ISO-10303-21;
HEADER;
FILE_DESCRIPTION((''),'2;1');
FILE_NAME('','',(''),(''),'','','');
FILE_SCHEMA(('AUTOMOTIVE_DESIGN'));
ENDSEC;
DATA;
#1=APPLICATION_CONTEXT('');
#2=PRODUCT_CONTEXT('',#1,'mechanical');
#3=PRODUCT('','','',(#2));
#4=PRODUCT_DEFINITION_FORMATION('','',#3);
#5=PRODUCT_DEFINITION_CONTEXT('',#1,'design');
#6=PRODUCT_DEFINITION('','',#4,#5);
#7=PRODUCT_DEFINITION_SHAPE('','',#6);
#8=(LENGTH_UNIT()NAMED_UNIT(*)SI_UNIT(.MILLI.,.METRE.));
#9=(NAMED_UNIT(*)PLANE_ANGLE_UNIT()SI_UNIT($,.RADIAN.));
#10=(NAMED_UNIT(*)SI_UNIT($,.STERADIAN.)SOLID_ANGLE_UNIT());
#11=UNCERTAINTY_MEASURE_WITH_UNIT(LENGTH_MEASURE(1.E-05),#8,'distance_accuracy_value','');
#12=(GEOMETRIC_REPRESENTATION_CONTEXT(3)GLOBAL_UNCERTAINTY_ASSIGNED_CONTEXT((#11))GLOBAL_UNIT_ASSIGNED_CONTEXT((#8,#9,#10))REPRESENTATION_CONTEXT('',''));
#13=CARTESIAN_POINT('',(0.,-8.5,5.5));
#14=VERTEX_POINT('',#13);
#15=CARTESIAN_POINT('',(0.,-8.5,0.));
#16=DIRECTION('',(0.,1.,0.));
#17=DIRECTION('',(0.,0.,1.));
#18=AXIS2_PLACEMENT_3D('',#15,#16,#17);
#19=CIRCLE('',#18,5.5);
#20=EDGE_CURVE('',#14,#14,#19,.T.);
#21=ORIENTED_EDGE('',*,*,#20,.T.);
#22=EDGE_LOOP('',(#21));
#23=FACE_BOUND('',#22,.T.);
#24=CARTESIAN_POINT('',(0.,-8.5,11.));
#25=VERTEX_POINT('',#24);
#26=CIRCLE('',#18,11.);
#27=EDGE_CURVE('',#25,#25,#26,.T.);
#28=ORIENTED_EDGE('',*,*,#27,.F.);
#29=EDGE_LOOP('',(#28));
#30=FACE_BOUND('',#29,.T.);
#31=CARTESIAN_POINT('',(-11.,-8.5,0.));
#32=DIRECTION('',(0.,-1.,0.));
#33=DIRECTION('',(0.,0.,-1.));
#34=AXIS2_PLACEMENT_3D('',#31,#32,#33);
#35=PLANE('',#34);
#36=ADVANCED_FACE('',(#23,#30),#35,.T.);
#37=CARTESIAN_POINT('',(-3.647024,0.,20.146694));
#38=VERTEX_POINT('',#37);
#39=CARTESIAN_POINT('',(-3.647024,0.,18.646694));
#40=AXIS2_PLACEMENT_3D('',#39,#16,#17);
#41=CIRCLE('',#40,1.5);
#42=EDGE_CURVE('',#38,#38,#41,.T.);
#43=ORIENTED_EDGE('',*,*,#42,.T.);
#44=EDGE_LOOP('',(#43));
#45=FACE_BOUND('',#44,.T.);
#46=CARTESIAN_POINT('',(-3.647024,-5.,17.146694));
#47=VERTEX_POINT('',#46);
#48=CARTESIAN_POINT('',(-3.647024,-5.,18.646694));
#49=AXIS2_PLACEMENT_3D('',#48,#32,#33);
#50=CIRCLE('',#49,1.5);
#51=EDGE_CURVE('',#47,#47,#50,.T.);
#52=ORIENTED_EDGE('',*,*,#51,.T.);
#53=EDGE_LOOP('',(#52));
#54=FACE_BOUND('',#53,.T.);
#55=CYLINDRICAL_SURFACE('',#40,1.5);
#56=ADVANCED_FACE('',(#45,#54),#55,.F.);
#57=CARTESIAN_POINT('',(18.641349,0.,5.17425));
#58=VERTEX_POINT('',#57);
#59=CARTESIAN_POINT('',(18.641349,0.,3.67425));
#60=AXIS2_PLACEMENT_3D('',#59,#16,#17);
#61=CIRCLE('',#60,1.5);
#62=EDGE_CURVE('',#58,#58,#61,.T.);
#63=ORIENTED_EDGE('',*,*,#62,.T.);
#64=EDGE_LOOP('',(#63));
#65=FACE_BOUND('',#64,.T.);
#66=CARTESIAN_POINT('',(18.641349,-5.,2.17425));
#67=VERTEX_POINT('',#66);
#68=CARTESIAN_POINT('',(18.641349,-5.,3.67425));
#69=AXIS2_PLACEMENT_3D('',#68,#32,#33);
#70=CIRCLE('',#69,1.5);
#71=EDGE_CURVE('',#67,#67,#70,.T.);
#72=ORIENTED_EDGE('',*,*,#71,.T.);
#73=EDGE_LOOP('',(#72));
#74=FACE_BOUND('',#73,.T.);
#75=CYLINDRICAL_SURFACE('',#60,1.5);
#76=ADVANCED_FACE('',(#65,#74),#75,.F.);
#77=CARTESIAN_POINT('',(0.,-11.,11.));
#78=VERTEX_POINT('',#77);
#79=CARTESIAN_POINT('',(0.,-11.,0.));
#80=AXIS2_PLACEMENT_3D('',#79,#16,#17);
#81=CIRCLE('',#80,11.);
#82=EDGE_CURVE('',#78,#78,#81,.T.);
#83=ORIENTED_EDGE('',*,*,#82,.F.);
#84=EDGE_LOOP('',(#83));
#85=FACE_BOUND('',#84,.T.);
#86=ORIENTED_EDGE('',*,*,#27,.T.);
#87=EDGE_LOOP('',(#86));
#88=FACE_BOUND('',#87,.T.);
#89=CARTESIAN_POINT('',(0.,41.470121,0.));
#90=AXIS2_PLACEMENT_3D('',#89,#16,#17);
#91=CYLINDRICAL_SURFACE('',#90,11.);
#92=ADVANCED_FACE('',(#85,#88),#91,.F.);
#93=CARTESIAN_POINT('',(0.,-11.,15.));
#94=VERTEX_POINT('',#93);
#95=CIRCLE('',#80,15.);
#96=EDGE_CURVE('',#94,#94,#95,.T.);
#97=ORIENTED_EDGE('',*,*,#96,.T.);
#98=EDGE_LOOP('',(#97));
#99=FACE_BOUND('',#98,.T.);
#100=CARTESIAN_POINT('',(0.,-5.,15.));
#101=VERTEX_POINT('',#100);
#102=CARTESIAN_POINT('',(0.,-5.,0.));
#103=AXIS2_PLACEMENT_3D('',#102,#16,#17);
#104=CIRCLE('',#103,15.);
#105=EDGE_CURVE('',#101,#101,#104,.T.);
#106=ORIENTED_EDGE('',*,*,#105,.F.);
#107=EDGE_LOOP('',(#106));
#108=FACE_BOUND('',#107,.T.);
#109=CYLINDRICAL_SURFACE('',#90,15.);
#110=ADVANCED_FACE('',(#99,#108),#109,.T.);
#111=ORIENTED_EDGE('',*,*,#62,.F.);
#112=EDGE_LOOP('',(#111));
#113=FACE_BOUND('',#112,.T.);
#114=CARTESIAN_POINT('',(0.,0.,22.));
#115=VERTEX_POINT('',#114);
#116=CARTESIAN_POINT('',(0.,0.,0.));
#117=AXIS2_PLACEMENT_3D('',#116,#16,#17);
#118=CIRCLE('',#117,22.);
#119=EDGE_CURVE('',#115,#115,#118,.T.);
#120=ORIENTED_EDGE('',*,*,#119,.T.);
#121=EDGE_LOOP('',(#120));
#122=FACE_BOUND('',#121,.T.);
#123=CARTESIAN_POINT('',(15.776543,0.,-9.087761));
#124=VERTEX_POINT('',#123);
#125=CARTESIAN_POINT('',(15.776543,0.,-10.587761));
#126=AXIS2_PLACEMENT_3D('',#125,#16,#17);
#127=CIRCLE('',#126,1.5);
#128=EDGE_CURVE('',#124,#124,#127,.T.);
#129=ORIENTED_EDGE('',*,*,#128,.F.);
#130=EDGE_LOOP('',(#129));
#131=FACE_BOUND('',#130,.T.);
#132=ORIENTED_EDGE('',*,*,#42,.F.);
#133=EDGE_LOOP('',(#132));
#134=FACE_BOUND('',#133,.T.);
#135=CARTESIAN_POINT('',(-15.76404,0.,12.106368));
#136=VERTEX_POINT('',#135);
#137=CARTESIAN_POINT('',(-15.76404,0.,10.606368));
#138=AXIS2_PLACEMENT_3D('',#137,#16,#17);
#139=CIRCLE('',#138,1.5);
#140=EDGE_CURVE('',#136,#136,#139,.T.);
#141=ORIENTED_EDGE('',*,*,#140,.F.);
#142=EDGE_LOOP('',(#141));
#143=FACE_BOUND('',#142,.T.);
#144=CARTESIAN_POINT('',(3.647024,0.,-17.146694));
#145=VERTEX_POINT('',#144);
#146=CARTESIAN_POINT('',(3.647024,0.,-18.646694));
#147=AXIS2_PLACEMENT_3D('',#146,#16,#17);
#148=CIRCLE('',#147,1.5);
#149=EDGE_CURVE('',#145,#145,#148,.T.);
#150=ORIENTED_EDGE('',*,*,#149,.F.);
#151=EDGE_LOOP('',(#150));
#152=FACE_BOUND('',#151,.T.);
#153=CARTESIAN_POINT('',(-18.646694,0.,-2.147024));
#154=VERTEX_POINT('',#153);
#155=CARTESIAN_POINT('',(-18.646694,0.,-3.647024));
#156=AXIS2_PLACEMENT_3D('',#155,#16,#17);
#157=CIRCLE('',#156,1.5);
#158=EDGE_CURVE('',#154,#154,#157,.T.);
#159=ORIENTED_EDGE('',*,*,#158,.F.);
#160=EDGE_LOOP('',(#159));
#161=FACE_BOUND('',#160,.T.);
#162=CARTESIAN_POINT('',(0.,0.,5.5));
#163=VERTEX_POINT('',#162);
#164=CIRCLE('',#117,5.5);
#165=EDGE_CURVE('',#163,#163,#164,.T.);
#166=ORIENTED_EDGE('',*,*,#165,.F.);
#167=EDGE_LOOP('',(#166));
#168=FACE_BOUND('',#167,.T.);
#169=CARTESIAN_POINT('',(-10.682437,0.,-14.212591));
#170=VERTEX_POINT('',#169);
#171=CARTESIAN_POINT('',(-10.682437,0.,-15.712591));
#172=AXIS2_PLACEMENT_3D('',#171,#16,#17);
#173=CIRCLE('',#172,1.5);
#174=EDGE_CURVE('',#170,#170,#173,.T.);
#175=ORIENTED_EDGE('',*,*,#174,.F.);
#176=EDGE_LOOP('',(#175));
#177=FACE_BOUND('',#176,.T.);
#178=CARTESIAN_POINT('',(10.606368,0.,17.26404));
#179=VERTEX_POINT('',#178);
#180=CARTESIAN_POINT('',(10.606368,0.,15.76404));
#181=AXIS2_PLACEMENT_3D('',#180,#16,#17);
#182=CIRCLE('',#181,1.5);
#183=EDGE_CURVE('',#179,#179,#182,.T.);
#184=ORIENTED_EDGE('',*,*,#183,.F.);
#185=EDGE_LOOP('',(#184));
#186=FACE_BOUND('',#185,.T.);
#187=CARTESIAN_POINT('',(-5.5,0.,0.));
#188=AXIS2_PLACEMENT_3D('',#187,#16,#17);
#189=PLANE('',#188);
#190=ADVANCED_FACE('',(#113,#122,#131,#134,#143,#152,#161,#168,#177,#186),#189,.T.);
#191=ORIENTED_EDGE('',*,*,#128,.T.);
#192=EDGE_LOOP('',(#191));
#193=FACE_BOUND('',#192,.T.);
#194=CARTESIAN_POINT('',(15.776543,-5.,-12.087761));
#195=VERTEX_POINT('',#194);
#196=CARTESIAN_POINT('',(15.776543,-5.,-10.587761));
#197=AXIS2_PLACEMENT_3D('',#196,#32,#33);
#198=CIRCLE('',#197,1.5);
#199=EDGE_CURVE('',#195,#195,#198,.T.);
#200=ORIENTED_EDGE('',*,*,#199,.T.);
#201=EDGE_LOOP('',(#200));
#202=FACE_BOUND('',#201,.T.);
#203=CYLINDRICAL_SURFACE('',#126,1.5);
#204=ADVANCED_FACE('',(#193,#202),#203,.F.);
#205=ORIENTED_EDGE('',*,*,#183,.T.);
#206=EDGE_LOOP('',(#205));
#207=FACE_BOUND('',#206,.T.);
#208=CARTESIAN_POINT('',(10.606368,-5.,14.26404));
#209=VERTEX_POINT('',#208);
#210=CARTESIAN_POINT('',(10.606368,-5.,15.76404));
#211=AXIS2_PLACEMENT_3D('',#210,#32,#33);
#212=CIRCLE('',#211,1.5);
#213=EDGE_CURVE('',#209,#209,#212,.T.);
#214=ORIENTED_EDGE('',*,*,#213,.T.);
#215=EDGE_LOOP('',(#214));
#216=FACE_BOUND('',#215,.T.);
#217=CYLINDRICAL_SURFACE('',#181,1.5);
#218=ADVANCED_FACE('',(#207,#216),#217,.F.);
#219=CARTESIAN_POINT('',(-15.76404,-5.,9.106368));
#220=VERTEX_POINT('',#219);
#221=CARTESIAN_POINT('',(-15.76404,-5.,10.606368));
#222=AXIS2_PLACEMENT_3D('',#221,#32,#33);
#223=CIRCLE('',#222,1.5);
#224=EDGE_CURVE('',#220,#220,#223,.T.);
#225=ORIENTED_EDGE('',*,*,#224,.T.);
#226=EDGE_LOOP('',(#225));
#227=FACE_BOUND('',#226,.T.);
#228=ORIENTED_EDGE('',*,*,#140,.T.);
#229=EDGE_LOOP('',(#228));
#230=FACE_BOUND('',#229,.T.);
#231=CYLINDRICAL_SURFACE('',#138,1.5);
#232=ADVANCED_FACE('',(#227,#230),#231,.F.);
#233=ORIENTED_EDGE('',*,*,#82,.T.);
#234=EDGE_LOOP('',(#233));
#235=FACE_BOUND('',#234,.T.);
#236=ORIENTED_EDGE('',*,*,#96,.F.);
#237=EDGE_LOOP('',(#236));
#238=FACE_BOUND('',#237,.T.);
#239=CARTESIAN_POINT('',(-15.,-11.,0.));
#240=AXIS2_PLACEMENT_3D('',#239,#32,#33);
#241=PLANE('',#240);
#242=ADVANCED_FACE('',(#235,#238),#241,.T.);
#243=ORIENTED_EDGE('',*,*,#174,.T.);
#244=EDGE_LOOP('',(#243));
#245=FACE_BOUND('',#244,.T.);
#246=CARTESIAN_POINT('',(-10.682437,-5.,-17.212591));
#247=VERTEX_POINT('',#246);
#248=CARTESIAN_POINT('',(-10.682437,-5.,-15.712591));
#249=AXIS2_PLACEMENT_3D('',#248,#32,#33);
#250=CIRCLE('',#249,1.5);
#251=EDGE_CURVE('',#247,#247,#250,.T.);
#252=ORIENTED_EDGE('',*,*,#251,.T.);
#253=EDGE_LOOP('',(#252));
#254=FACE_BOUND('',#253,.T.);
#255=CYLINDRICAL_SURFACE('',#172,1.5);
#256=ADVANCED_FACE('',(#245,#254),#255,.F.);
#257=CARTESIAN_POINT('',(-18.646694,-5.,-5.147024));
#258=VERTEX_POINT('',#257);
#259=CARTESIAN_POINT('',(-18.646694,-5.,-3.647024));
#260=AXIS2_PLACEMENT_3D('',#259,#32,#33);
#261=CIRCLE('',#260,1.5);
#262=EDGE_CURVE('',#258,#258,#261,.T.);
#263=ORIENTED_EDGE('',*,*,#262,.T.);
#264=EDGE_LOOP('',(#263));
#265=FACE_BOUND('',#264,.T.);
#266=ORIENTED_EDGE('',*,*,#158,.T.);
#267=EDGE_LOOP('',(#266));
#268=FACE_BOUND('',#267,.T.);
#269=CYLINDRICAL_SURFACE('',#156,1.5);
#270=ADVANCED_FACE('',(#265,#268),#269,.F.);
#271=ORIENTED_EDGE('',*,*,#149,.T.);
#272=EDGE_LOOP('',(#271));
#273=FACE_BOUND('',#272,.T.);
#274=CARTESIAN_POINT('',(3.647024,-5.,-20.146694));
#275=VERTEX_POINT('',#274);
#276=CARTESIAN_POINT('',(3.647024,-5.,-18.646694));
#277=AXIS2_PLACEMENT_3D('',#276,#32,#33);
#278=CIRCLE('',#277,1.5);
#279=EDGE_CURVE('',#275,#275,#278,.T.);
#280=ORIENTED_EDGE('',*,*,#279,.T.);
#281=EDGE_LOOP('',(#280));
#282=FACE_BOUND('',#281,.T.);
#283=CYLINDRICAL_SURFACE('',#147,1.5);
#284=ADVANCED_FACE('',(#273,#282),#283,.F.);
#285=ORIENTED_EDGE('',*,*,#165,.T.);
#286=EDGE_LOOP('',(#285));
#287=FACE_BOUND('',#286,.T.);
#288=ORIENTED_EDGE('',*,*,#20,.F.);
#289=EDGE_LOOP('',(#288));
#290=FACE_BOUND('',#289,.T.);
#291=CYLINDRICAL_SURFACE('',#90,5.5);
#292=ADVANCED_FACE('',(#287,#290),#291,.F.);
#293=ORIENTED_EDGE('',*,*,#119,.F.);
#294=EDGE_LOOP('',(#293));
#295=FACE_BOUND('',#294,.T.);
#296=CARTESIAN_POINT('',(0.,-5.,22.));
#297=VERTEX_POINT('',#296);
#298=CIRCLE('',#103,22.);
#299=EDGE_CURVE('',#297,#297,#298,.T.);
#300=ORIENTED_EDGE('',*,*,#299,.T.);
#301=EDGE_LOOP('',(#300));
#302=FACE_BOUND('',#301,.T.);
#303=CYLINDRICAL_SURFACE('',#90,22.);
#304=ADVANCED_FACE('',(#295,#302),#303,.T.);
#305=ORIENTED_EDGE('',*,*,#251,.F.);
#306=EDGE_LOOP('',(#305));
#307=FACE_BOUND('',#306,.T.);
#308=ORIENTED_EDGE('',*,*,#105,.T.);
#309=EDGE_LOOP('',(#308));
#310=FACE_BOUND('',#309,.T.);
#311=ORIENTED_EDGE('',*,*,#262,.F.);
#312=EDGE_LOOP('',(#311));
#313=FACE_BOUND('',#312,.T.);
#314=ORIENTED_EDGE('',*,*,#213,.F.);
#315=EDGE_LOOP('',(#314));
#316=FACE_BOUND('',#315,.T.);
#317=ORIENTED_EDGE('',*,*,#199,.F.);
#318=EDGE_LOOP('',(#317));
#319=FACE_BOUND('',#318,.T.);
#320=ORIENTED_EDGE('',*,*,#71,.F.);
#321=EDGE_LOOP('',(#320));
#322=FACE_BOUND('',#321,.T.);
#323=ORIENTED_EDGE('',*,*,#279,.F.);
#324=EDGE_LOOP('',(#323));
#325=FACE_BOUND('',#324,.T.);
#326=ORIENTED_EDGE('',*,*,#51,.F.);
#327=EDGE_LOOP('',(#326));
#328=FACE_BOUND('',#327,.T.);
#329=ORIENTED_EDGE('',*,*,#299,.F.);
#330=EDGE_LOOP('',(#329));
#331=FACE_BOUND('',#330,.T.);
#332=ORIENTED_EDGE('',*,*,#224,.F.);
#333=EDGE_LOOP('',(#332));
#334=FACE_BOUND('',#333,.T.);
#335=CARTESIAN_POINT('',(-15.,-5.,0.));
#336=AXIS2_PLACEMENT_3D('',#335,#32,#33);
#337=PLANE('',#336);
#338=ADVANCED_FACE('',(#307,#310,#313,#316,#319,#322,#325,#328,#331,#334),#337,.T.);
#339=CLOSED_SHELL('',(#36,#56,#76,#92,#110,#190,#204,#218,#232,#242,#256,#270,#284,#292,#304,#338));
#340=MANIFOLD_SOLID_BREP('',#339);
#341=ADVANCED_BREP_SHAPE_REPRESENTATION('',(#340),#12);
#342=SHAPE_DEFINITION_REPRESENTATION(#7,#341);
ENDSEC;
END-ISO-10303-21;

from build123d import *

# Parameters (mm, degrees)
DIAM_TRE_DU_PER_AGE_3_0_3_1_D = 3


with BuildPart() as part:
    # Esquisse1 → Révolution1 (revolve)
    with BuildSketch(Plane.XY):
        Polygon((-5.5, 0), (-22, 0), (-22, -5), (-15, -5), (-15, -11), (-11, -11), (-11, -8.5), (-5.5, -8.5), align=None)
    revolve(axis=Axis((0, 41.470120614, 0), (0, -1, 0)))

    # Diamètre du perçage Ø3.0 (3)1 (through all)
    with Locations(Plane(origin=(3.647024388, 0, -18.646694429), x_dir=(0, 0, 1), z_dir=(0, 1, 0))):
        with Locations((0, 0), (8.05893299, 12.12951857), (22.320944817, 14.994324385), (2.934102993, -14.329461861), (14.999670041, -22.293718817), (29.25306283, -19.411064141), (37.293388858, -7.294048776), (34.410734182, 6.959344013)):
            Hole(DIAM_TRE_DU_PER_AGE_3_0_3_1_D / 2)


solid = part.part
